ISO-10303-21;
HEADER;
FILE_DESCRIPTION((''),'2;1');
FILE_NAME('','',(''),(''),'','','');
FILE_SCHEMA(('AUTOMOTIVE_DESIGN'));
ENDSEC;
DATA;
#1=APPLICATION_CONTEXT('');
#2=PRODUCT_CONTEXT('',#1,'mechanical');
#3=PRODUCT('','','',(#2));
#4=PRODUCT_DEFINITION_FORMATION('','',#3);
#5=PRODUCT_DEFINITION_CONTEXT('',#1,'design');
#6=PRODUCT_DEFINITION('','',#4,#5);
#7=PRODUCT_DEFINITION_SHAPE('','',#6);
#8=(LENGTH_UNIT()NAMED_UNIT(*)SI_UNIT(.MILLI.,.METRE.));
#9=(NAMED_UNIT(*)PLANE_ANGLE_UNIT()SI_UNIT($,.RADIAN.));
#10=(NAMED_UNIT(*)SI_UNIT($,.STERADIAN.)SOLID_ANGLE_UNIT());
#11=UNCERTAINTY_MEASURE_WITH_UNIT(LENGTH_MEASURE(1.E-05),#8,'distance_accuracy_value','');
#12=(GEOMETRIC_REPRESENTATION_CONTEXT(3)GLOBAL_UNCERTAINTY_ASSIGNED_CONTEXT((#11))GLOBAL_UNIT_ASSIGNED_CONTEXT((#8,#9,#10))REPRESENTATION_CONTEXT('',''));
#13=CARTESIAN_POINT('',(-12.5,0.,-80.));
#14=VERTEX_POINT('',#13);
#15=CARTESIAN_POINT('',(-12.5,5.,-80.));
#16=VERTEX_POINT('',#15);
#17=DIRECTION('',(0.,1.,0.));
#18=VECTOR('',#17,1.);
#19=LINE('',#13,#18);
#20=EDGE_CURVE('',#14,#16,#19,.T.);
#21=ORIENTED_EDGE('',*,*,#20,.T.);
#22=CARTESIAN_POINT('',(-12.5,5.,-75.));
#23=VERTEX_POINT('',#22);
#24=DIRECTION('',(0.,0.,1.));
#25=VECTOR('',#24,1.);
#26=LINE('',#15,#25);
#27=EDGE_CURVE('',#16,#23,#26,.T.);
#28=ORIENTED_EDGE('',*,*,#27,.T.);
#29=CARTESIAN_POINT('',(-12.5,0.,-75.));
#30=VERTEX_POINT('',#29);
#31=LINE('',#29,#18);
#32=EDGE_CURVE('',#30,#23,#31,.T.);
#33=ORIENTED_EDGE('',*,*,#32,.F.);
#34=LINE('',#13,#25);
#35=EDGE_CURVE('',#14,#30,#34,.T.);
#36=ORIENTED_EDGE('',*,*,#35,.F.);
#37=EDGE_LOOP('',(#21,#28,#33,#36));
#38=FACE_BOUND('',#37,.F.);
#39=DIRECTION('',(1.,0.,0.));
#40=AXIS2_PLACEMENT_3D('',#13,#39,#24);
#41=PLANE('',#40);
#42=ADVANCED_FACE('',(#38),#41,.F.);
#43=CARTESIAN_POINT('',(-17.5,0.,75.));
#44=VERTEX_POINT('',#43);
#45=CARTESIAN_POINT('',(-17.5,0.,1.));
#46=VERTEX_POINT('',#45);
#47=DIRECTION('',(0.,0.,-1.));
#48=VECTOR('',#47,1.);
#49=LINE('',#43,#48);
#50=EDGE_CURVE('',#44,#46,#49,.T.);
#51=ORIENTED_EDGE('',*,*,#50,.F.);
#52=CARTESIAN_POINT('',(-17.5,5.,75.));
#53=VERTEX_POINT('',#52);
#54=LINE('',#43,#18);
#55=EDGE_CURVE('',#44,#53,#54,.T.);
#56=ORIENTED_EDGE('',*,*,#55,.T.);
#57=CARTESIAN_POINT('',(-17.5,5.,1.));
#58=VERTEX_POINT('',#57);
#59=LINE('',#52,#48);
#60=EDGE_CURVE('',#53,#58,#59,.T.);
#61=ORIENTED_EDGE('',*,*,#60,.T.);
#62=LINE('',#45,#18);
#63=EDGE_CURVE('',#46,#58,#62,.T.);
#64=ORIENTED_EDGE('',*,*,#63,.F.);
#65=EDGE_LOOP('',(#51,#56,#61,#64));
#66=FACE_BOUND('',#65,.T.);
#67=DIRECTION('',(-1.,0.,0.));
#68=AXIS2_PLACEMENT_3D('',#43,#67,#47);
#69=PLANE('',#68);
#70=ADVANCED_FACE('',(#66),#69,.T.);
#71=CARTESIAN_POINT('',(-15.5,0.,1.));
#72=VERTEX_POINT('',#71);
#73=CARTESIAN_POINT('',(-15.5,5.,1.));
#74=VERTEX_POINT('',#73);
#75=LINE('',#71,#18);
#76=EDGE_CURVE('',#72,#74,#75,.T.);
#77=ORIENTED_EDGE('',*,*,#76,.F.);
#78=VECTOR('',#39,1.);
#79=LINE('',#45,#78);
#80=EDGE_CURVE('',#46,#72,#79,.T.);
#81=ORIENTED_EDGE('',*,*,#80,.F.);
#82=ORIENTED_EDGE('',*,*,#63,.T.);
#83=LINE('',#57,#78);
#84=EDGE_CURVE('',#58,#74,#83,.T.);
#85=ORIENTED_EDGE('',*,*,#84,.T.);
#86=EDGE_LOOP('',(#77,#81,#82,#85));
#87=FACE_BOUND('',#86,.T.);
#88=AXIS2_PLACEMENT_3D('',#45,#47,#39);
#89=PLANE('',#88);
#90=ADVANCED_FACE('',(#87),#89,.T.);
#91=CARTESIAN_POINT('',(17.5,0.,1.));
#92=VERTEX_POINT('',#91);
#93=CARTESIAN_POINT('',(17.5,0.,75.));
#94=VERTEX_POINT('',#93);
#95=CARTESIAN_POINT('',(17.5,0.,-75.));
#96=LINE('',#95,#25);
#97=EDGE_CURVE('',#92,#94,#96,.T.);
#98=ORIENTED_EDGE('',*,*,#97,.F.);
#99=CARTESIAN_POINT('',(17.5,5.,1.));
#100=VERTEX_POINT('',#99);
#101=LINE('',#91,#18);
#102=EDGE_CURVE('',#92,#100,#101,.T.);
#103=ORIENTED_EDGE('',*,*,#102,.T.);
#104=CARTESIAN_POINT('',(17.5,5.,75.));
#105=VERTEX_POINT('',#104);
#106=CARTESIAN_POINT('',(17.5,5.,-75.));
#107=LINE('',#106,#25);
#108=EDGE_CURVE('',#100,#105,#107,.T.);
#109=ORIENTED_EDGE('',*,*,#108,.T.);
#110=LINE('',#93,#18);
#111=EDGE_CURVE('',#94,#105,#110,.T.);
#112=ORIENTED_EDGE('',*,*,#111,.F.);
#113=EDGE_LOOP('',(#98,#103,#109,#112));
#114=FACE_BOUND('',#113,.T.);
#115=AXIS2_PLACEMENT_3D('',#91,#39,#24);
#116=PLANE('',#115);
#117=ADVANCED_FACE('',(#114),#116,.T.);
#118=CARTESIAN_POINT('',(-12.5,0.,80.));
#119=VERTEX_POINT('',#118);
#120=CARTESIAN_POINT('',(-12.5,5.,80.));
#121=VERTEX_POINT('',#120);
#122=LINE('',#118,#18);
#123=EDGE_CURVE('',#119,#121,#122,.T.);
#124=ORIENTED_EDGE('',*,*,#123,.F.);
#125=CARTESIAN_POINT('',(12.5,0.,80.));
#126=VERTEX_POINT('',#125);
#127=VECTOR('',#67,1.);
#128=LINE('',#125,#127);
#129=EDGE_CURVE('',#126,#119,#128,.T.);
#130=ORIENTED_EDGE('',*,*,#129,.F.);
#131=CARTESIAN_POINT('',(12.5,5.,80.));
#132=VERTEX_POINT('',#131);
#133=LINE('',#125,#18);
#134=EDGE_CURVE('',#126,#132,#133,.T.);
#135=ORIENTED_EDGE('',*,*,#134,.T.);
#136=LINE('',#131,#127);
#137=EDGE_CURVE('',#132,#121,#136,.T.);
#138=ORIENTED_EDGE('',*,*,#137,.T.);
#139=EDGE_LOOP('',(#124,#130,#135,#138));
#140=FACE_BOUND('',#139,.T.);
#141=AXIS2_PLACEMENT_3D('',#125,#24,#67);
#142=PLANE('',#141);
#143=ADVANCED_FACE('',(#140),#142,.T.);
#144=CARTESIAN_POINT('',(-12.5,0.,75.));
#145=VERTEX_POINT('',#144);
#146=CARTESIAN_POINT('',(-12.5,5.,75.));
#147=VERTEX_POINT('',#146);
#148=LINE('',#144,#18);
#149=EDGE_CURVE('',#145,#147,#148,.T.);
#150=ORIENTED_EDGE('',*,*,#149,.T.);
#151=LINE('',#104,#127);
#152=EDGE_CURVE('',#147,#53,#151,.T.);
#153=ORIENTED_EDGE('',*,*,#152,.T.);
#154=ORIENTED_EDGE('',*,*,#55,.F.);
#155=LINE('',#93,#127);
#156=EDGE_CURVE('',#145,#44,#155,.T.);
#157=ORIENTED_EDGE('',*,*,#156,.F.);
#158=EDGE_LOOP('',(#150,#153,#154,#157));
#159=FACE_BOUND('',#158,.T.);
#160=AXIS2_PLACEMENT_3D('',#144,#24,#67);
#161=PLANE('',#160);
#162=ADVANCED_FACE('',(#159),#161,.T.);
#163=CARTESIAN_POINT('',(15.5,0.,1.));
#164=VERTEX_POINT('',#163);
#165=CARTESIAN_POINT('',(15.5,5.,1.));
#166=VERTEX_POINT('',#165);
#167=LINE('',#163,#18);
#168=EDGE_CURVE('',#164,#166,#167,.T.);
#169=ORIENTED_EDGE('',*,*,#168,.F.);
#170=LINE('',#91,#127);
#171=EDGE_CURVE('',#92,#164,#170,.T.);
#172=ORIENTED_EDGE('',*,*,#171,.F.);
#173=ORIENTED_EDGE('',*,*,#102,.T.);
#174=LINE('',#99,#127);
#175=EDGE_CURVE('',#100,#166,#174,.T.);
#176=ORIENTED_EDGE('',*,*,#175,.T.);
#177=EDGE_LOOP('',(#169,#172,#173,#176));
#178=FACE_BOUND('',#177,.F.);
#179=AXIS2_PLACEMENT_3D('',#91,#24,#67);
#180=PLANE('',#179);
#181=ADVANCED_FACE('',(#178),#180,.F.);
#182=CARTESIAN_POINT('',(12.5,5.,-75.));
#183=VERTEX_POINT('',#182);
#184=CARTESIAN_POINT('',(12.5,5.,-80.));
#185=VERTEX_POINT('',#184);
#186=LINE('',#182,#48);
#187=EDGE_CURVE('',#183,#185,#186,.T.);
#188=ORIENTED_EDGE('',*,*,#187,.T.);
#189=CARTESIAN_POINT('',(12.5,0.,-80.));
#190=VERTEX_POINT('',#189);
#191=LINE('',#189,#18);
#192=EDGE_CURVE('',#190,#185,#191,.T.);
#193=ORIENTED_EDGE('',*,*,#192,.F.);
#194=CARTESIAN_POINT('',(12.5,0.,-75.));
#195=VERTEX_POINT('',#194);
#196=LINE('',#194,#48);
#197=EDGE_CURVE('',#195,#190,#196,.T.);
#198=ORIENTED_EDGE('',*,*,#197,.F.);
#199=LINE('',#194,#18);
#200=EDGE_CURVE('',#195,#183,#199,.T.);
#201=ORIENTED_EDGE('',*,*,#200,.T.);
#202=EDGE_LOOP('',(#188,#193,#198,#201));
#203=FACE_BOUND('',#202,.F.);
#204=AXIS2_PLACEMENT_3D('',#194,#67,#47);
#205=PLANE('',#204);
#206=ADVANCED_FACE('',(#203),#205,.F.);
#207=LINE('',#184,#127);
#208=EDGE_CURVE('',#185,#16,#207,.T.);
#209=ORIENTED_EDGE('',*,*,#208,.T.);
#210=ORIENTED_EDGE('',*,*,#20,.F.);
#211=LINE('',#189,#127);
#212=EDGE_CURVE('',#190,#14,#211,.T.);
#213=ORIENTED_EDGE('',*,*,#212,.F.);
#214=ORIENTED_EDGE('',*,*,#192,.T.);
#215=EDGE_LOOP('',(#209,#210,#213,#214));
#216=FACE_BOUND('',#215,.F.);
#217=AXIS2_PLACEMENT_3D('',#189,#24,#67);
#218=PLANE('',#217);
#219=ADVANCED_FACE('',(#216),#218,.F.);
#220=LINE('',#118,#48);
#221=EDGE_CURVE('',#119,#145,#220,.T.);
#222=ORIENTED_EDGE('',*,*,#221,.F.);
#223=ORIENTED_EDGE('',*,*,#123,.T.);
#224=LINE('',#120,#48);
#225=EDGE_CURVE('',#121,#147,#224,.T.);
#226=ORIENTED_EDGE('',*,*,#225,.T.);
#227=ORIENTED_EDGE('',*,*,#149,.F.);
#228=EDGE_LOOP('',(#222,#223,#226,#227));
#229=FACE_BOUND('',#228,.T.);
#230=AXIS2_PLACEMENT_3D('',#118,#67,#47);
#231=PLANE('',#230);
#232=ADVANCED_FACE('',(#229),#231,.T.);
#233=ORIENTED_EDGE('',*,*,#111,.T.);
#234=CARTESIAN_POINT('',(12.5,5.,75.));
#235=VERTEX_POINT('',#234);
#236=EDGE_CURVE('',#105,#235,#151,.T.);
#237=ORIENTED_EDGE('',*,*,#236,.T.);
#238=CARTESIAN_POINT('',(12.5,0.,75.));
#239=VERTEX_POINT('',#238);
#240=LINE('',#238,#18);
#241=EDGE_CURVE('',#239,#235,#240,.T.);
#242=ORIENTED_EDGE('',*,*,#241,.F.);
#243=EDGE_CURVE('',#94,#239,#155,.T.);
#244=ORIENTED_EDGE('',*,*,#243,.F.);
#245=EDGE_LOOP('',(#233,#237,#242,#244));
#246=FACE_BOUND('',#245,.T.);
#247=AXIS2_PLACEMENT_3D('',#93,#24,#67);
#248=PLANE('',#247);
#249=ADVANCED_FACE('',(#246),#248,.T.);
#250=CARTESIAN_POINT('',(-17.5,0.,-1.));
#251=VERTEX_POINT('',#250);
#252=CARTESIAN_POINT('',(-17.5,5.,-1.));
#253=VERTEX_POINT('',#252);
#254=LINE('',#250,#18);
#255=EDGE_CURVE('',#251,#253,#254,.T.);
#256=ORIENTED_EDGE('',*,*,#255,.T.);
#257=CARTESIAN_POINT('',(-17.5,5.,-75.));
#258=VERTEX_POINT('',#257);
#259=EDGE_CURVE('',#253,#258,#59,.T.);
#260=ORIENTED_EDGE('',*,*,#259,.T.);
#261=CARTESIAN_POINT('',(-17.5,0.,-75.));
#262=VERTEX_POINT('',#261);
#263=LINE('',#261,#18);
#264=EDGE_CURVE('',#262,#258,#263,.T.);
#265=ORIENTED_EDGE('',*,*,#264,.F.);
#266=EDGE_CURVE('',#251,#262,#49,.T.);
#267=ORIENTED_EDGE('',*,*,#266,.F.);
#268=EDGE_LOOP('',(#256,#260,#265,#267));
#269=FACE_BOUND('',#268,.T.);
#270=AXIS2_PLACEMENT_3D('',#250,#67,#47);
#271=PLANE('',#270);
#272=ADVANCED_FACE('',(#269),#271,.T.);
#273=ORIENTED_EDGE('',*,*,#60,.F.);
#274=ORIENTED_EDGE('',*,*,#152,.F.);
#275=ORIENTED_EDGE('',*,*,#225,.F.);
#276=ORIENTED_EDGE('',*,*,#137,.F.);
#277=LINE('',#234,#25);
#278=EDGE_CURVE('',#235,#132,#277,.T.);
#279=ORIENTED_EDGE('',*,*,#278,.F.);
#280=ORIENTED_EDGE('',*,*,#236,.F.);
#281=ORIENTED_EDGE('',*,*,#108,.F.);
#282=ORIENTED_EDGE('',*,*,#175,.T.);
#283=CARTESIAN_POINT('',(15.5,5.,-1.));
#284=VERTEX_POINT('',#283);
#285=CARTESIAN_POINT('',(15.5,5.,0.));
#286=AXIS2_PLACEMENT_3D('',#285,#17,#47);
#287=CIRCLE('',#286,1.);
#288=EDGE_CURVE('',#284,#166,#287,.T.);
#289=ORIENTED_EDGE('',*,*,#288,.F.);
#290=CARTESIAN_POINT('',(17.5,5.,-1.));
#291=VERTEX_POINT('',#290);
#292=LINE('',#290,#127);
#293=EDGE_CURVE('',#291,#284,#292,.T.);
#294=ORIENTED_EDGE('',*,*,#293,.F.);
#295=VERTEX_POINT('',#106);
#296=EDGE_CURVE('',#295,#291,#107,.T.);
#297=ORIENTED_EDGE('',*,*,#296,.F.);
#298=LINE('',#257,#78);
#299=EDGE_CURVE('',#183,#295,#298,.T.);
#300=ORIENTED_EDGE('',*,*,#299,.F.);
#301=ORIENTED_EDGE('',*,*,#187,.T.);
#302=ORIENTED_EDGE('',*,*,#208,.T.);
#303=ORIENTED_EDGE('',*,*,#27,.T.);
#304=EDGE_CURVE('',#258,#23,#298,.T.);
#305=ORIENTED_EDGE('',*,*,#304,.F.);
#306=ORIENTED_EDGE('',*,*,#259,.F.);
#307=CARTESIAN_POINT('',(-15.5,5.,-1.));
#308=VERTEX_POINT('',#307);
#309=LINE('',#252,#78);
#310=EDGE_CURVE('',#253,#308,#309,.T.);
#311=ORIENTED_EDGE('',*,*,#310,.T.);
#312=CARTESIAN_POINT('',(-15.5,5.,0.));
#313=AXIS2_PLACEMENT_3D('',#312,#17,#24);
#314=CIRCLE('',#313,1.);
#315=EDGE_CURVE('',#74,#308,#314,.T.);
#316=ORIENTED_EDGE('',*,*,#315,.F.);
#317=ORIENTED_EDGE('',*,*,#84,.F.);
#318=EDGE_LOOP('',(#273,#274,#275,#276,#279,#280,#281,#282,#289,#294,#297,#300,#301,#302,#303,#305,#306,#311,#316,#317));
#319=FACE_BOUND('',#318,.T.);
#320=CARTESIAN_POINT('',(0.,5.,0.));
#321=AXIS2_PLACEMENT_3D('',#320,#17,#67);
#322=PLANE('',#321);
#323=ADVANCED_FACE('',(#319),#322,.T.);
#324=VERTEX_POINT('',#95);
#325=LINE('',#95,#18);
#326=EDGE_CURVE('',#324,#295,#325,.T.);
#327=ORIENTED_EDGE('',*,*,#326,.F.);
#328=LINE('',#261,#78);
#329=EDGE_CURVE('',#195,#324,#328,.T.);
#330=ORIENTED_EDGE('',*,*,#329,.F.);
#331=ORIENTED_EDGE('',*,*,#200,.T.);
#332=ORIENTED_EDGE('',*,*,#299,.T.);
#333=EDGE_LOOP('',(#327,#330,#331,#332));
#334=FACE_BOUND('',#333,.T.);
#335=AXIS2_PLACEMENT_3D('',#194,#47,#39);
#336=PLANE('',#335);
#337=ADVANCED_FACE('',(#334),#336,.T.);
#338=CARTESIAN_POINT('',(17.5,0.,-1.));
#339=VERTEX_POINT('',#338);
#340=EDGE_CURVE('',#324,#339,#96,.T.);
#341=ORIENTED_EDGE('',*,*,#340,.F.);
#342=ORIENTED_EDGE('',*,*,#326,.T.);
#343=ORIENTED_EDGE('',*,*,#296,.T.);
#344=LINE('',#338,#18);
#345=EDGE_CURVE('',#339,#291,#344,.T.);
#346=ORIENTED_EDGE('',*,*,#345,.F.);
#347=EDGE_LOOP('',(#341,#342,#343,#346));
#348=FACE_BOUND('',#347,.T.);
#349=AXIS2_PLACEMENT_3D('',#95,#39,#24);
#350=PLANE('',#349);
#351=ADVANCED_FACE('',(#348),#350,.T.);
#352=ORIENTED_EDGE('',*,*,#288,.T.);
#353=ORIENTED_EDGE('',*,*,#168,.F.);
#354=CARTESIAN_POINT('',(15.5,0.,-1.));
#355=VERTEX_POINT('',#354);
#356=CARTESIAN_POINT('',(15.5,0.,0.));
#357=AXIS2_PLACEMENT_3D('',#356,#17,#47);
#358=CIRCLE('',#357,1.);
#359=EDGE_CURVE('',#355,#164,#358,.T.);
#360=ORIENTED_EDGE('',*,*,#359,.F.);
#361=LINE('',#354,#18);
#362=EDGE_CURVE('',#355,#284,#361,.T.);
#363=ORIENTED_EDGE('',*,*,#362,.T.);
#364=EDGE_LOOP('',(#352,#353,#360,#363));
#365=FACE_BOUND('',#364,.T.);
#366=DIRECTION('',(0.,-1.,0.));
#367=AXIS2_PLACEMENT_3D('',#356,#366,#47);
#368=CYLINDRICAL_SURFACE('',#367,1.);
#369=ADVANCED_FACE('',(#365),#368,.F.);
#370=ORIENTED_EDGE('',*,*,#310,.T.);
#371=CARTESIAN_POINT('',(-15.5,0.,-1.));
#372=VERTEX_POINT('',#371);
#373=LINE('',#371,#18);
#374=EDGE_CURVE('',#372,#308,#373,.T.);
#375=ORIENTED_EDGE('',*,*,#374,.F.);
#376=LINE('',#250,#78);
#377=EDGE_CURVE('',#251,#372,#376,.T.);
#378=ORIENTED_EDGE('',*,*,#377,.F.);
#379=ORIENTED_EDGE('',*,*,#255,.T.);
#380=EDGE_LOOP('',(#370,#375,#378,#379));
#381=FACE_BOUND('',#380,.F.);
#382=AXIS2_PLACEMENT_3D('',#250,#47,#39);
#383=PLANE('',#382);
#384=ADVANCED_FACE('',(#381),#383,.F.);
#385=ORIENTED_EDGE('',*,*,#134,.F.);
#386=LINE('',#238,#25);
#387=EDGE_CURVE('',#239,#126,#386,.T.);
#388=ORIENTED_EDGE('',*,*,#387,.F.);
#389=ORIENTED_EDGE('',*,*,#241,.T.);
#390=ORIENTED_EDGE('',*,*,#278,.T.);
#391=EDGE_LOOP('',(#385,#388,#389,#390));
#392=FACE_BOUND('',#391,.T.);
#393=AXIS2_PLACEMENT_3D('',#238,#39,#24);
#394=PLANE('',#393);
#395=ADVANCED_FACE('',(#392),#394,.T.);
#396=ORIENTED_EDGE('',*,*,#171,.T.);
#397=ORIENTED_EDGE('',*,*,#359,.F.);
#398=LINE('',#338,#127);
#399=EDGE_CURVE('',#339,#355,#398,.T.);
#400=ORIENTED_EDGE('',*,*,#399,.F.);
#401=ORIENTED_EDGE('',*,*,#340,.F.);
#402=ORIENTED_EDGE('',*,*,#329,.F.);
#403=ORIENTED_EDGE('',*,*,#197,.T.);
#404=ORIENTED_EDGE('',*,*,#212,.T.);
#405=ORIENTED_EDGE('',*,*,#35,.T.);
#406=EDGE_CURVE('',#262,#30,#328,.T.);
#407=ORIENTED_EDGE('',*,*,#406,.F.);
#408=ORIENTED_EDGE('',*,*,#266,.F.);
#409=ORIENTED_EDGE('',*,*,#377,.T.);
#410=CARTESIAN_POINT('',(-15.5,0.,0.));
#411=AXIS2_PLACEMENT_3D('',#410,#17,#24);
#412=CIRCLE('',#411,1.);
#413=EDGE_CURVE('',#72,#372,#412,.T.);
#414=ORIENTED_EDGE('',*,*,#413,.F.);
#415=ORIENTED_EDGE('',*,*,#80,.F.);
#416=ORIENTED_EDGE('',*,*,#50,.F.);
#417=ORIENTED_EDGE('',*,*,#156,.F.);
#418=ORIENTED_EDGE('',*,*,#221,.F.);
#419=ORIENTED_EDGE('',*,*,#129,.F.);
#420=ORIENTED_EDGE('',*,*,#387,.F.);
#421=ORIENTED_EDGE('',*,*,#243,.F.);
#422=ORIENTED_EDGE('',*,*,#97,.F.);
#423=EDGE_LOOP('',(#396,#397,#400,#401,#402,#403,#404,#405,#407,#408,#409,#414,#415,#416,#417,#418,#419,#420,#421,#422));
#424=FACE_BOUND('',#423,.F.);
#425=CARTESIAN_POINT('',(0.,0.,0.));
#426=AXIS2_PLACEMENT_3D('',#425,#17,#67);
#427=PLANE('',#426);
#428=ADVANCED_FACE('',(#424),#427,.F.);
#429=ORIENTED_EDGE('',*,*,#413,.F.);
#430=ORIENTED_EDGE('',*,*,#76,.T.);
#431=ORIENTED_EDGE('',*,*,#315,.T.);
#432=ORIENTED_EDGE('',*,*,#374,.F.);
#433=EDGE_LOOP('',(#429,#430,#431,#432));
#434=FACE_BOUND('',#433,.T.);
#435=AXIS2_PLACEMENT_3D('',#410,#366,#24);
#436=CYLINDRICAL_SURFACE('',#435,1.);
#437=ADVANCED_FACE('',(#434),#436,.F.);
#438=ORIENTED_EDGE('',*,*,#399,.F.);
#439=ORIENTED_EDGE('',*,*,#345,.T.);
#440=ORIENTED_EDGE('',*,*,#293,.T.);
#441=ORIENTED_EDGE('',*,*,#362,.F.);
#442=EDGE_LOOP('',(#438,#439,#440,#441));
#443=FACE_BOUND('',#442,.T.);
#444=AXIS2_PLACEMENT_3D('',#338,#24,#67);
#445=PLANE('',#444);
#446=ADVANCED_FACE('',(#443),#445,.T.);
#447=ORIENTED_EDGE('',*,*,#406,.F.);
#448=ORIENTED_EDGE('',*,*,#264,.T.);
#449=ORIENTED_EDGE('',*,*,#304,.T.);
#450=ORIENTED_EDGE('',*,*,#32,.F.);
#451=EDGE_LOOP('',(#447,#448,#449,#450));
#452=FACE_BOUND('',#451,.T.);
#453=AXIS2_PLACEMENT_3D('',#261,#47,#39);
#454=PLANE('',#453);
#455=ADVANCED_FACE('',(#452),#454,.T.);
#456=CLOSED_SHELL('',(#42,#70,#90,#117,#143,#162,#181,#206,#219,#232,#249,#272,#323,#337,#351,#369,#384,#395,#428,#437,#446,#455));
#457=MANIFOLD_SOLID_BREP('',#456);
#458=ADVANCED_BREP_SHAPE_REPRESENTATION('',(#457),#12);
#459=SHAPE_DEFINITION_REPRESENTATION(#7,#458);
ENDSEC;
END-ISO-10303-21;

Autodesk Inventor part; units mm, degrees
ref_plane "YZ Plane" through (0, 0, 0) normal (1, 0, 0) x (0, 1, 0)
ref_plane "XZ Plane" through (0, 0, 0) normal (0, 1, 0) x (-1, 0, 0)
ref_plane "XY Plane" through (0, 0, 0) normal (0, 0, 1) x (1, 0, 0)
sketch "Skizze1" plane through (0, 0, 0) normal (0, 1, 0) x (-1, 0, 0)
  line L0 (17.5, -75) -> (-17.5, -75)
  line L1 (-17.5, -75) -> (-17.5, 75)
  line L2 (-17.5, 75) -> (17.5, 75)
  line L3 (17.5, 75) -> (17.5, -75)
  line L4 (17.5, -75) -> (-17.5, 75) construction
  line L5 (17.5, 75) -> (-17.5, -75) construction
  line L6 (12.5, -75) -> (-12.5, -75)
  line L7 (-12.5, -75) -> (-12.5, -80)
  line L8 (-12.5, -80) -> (12.5, -80)
  line L9 (12.5, -80) -> (12.5, -75)
  line L10 (12.5, 75) -> (-12.5, 75)
  line L11 (-12.5, 75) -> (-12.5, 80)
  line L12 (-12.5, 80) -> (12.5, 80)
  line L13 (12.5, 80) -> (12.5, 75)
  line L14 (17.5, -1) -> (15.5, -1)
  line L15 (17.5, 1) -> (15.5, 1)
  line L16 (-17.5, -1) -> (-15.5, -1)
  line L17 (-17.5, 1) -> (-15.5, 1)
  arc A0 (15.5, 1) -> (15.5, -1) centre (15.5, 0) ccw
  arc A1 (-15.5, -1) -> (-15.5, 1) centre (-15.5, 0) ccw
  point P0 (0, 0)
  point P1 (0, 0)
  point P2 (12.5, -77.5)
  point P3 (0, 0)
  dimension "d0" = 150
  dimension "d1" = 5
  dimension "d2" = 5
  dimension "d3" = 5
  dimension "d4" = 25
  dimension "d5" = 2
  dimension "d6" = 2
  dimension "d7" = 1
extrude "Extrusion1" add sketch "Skizze1" along normal blind 5 contours L0 L1 L16 A1 L17 L2 L3 L15 A0 L14 | L9 L8 L7 L0 | L2 L11 L12 L13
equation "\"d4\" = t"
equation "\"t\" = 25"
properties part number "Verbinder_t80"
